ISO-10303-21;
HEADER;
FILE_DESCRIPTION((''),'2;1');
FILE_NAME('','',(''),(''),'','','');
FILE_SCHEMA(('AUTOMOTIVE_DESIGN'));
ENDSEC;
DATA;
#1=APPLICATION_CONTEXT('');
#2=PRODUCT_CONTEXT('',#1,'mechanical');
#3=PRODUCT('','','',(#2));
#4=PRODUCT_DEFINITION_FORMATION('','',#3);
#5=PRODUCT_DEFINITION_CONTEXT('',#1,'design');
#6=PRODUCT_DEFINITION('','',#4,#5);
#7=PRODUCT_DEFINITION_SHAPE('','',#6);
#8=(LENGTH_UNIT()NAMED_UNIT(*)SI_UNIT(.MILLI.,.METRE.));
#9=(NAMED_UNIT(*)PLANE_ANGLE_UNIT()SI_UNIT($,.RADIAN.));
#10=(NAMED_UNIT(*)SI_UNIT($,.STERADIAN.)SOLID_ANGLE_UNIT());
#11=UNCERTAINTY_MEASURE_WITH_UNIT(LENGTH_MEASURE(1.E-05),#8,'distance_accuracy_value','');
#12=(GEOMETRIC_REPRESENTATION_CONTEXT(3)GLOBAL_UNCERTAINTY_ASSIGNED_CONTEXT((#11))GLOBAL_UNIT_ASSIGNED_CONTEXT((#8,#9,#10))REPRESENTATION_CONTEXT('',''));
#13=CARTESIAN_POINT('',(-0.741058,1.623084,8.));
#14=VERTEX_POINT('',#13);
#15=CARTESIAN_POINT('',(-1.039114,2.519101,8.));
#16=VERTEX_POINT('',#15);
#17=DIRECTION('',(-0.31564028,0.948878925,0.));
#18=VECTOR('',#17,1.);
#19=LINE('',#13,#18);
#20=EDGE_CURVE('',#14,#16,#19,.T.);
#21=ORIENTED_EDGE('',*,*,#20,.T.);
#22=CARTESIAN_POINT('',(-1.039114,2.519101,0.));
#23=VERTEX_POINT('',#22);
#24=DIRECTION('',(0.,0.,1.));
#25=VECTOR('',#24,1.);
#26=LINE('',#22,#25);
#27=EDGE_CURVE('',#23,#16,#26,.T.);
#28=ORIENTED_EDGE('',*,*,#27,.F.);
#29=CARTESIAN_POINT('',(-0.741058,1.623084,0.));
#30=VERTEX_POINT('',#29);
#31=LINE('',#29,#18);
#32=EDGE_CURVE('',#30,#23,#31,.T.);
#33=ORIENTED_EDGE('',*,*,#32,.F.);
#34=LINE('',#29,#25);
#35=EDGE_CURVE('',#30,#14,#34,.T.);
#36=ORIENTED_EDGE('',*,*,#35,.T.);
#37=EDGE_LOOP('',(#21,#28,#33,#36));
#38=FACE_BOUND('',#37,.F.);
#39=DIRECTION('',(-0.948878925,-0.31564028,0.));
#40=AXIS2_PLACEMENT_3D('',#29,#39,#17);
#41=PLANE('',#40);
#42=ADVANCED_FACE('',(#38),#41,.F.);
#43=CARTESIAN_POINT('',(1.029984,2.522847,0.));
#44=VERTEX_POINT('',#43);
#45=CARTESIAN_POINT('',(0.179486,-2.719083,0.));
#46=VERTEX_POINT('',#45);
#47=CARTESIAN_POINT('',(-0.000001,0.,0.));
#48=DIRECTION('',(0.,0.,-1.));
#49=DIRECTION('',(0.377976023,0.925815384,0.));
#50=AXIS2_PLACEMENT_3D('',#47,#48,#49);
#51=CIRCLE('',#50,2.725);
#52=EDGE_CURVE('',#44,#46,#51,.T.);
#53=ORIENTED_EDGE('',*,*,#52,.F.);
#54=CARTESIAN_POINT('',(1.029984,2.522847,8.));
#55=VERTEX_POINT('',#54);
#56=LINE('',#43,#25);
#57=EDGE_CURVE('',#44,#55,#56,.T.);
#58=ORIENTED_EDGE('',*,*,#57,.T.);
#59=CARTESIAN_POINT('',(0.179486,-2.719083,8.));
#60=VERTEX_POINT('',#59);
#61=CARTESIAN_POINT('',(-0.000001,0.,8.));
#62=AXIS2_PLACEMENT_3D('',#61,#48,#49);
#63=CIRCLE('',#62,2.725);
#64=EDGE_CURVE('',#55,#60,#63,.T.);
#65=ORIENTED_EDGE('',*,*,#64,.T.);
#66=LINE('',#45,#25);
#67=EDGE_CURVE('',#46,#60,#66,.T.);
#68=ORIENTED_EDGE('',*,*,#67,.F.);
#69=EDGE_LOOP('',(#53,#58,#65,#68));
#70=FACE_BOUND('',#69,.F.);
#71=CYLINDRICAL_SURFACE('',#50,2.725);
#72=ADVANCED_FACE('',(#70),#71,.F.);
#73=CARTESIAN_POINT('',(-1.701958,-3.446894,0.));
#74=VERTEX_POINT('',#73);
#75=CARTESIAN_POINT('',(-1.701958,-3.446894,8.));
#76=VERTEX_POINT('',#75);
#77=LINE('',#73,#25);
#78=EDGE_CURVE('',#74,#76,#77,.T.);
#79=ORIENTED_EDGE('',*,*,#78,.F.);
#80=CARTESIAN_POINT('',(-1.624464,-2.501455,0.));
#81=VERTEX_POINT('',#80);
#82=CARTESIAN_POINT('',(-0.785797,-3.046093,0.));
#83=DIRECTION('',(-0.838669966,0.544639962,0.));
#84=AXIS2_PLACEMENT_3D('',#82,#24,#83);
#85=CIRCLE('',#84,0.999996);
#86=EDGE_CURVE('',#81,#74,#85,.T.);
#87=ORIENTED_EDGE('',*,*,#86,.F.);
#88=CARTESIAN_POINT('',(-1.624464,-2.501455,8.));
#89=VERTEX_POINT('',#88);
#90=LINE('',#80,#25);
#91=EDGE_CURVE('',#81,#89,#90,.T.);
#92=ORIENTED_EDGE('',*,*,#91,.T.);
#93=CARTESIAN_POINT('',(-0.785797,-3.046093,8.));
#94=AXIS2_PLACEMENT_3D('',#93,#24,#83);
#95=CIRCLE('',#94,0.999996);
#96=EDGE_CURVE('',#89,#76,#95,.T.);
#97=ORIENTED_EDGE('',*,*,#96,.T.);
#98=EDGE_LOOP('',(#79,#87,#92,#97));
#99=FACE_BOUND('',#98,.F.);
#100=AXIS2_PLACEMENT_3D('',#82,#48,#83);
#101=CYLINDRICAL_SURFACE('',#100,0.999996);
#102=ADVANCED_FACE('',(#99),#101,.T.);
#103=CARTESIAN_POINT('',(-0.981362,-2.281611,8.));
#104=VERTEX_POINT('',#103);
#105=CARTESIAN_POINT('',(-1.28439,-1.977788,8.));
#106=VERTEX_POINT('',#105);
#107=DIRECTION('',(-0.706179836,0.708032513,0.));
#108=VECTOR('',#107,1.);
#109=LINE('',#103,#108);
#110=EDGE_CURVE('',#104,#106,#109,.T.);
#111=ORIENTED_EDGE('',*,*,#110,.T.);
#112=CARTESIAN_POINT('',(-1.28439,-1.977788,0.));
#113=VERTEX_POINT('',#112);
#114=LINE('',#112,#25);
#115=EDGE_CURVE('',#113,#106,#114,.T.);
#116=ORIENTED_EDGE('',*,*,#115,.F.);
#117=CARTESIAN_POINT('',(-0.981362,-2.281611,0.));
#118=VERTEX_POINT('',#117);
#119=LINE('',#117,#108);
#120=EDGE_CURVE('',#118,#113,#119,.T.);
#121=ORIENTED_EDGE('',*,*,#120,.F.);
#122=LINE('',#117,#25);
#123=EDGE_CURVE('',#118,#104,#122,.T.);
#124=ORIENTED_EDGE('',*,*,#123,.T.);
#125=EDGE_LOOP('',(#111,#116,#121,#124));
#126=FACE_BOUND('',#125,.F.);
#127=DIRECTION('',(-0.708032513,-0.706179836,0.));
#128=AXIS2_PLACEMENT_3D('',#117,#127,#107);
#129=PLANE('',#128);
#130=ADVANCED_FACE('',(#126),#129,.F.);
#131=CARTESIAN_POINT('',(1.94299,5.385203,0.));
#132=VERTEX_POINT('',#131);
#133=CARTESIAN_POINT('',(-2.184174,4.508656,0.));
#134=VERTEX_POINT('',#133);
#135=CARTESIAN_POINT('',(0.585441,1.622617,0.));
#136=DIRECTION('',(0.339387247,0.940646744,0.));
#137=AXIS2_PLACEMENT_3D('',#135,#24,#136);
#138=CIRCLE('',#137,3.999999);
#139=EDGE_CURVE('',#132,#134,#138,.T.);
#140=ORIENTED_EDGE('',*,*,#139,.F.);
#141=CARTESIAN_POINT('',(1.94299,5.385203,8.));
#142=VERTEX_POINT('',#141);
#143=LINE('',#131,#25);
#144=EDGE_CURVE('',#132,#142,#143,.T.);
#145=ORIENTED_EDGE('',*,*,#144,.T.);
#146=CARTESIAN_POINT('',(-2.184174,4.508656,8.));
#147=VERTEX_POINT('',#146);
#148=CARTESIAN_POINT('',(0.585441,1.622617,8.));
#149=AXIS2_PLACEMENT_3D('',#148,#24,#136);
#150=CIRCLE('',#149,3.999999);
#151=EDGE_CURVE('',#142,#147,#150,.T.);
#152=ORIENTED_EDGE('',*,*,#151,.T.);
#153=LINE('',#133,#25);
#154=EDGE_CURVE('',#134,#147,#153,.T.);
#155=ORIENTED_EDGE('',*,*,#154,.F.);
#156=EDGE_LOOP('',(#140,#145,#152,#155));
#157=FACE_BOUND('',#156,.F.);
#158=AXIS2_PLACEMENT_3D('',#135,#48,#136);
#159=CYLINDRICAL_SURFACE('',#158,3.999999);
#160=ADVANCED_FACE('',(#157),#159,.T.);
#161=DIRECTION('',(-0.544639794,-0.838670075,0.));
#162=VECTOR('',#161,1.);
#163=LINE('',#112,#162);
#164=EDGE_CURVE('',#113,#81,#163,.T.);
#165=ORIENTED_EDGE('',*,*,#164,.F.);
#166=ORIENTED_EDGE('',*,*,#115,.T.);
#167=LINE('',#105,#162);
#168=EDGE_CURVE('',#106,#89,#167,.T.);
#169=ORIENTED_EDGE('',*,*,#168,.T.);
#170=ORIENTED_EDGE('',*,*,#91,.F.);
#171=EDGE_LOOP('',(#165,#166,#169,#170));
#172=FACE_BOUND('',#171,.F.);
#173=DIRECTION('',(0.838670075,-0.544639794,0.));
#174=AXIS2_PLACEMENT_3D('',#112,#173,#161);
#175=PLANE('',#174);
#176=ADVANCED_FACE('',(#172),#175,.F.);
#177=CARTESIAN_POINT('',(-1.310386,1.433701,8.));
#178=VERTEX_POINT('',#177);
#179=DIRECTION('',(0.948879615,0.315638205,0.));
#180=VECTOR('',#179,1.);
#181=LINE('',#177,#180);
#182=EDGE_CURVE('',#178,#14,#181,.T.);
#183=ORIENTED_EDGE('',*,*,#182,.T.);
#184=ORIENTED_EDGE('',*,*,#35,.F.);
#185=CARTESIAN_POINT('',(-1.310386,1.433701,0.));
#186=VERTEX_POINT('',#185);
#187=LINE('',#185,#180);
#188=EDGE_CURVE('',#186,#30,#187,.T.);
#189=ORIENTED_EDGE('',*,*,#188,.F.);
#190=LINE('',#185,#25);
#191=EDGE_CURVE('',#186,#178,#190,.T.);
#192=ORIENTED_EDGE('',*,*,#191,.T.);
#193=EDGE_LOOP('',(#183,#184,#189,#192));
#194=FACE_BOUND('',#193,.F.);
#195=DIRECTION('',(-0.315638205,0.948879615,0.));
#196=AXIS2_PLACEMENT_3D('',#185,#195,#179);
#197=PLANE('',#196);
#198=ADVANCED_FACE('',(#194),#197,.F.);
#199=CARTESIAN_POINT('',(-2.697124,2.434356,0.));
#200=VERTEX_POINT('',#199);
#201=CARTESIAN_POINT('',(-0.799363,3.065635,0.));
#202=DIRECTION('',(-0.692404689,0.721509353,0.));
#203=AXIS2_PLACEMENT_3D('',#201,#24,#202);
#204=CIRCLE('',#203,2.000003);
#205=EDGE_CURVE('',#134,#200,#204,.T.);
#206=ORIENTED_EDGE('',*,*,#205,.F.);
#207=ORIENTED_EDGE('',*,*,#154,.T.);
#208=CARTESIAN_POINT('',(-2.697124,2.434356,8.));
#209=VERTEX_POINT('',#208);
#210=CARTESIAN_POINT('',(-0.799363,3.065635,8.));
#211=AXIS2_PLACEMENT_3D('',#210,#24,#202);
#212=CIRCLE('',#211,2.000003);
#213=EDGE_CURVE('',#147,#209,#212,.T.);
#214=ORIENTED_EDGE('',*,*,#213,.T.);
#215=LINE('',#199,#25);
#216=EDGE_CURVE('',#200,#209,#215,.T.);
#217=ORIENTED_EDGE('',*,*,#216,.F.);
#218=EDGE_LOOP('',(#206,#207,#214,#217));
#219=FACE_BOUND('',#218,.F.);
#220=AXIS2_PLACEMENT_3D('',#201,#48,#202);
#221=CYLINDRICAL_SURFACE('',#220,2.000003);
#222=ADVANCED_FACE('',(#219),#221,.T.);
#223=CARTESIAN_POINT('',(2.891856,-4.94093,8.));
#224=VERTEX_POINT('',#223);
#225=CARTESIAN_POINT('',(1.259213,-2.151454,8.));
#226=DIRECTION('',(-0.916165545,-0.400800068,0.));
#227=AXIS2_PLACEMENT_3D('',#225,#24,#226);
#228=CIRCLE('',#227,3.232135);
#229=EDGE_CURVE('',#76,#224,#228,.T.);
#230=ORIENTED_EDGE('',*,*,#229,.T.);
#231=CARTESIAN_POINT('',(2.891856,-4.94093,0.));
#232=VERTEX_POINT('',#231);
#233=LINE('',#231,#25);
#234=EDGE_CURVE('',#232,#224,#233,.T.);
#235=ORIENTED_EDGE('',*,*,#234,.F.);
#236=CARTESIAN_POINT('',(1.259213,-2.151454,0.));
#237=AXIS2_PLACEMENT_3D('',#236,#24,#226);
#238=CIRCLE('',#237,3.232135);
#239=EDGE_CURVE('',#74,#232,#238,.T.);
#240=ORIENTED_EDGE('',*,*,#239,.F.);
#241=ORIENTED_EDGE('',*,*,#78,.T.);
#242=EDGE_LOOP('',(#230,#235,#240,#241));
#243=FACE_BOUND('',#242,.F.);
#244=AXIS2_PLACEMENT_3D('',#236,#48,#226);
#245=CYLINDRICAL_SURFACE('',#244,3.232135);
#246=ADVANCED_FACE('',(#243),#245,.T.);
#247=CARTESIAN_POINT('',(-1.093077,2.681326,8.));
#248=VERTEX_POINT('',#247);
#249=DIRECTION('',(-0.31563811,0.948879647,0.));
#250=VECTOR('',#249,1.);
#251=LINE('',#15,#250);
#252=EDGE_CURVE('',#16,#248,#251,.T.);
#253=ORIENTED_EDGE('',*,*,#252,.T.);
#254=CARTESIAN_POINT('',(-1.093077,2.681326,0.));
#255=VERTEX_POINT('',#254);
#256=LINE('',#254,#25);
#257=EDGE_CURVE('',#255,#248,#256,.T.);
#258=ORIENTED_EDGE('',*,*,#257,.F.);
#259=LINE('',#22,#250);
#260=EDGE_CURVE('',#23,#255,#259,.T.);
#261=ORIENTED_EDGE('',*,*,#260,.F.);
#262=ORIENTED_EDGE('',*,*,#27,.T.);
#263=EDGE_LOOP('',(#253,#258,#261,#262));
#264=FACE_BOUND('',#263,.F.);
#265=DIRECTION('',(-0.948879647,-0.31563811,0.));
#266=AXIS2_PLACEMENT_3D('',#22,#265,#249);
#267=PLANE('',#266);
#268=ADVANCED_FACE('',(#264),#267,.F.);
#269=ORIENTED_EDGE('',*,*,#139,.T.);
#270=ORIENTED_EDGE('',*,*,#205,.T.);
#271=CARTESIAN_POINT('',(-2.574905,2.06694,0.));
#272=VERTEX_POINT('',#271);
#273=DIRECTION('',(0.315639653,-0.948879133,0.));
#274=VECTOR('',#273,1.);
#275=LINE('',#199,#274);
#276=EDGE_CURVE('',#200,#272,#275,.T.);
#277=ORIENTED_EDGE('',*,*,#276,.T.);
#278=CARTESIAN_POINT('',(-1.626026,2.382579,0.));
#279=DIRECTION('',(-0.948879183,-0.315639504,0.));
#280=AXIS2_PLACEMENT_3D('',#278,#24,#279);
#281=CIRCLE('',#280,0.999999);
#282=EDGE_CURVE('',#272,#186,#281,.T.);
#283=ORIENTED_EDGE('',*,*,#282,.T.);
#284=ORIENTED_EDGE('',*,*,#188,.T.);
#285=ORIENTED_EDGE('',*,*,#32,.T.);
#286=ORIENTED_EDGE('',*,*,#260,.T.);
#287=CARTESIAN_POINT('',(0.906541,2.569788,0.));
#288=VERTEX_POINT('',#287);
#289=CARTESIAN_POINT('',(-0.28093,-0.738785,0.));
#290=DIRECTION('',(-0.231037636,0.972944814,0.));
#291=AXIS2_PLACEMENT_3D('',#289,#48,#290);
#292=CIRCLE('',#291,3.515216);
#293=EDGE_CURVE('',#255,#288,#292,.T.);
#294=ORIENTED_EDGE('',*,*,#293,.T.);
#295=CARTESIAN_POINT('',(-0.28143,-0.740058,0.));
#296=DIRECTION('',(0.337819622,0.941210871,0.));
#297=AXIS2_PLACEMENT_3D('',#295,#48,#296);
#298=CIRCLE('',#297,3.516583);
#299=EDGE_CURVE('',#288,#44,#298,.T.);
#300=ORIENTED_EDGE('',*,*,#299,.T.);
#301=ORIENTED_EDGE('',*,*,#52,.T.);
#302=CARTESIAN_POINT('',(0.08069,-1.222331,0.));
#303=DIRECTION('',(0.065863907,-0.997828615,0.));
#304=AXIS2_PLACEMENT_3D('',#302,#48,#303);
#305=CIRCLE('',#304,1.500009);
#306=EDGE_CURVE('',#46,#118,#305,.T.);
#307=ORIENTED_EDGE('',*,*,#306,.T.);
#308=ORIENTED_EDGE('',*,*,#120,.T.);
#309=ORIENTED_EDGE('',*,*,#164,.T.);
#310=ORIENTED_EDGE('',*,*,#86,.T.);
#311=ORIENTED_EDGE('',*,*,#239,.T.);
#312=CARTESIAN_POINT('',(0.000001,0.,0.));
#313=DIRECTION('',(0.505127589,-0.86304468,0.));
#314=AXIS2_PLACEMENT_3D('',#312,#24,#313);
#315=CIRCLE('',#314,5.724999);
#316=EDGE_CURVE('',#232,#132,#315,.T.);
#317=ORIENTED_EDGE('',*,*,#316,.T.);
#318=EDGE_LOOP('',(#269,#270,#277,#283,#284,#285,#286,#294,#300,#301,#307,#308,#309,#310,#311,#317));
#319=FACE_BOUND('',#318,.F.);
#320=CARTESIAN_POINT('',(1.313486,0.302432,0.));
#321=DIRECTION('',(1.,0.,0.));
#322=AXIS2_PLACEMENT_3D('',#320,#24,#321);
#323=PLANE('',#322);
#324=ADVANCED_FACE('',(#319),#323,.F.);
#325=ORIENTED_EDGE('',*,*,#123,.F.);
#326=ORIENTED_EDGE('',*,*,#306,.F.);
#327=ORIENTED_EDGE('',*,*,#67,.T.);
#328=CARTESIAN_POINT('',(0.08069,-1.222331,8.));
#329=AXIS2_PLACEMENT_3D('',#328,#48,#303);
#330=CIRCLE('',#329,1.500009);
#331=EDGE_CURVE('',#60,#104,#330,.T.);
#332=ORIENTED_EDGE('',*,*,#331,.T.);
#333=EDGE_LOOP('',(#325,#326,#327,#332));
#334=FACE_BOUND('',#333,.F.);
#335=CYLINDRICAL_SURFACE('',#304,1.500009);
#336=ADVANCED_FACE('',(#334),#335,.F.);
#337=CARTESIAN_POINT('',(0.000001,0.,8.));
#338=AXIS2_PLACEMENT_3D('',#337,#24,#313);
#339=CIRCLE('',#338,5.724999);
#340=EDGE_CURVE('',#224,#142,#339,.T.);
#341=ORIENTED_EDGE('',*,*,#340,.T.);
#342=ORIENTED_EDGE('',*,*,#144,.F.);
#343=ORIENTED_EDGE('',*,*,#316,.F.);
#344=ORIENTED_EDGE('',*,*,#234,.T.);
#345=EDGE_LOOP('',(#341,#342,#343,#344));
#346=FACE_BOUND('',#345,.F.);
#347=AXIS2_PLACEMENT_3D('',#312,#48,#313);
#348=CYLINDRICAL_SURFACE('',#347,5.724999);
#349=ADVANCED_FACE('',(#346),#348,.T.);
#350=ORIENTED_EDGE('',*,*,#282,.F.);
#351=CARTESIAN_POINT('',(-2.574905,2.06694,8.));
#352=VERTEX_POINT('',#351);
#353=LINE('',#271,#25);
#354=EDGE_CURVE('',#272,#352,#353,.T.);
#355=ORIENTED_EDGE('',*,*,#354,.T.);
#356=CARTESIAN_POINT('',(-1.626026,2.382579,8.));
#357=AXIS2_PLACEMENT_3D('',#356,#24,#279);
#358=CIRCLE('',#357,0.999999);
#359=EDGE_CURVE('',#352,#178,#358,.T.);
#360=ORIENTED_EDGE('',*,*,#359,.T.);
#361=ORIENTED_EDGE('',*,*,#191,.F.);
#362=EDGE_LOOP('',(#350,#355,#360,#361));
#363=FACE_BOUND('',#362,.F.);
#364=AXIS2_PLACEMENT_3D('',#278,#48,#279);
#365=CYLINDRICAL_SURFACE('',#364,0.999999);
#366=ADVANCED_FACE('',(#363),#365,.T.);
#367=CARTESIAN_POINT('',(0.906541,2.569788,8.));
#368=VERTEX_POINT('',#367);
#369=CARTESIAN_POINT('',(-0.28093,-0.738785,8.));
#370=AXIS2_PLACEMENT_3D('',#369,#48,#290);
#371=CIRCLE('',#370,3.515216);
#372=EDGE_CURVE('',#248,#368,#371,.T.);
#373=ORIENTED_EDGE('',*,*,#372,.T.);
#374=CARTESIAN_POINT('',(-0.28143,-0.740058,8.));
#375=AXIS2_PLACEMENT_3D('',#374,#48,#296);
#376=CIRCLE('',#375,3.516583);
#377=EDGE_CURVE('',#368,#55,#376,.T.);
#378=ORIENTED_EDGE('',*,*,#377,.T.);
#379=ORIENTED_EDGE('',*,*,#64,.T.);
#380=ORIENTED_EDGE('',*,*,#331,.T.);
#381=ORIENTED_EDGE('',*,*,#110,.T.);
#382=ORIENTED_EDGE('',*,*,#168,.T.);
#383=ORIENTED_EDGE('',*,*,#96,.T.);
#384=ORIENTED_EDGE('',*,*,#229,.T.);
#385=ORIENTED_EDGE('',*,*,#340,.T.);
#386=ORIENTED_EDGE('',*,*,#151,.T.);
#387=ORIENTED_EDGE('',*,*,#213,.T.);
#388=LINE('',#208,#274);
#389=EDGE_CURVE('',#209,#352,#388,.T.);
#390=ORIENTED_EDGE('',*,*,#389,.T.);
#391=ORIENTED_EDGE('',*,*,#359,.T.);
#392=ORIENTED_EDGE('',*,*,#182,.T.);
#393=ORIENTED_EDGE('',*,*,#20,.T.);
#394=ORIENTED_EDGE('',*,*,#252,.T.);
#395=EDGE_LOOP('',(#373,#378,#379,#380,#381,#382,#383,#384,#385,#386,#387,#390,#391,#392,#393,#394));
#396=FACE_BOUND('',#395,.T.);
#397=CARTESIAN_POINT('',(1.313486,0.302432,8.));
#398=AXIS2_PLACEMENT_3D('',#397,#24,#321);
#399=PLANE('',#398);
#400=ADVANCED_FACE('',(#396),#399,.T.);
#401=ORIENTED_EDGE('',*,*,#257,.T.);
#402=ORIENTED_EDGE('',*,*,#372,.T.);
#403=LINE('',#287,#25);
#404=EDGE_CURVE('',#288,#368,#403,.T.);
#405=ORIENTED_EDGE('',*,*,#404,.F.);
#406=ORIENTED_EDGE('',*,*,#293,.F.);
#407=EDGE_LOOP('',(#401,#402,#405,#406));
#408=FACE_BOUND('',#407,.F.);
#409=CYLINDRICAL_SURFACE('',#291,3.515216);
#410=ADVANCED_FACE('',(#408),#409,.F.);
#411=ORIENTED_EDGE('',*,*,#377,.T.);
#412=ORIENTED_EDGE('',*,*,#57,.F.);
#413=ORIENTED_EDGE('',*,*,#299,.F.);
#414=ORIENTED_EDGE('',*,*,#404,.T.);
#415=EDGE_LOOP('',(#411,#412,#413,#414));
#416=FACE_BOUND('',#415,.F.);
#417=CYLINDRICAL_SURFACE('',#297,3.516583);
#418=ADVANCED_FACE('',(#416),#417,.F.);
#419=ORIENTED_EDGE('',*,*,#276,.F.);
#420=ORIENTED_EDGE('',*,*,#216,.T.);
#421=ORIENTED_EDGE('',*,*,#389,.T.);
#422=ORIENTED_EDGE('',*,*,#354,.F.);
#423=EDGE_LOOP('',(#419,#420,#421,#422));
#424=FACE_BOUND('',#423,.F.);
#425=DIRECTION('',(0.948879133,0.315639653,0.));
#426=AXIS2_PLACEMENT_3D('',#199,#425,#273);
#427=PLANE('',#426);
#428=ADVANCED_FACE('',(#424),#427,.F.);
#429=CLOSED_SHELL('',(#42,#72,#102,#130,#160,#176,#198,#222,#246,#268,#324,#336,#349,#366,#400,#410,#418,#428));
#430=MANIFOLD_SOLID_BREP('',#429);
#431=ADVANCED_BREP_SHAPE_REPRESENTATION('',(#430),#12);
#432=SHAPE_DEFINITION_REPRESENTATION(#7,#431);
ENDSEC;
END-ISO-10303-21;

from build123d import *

# Parameters (mm, degrees)
F1_DEPTH = 8


with BuildPart() as f1:
    # F0 (on Top) → F1 (new body)
    with BuildSketch(Plane.XY):
        with BuildLine():
            ThreePointArc((1.029984, 2.522847), (2.689825, -0.436422), (0.179486, -2.719083))
            ThreePointArc((0.179486, -2.719083), (-0.448282, -2.625975), (-0.981362, -2.281611))
            Line((-0.981362, -2.281611), (-1.28439, -1.977788))
            Line((-1.28439, -1.977788), (-1.624464, -2.501455))
            ThreePointArc((-1.624464, -2.501455), (-1.782451, -2.964401), (-1.701958, -3.446894))
            ThreePointArc((-1.701958, -3.446894), (0.259572, -5.225119), (2.891856, -4.94093))
            ThreePointArc((2.891856, -4.94093), (5.700982, 0.523862), (1.94299, 5.385203))
            ThreePointArc((1.94299, 5.385203), (-0.245562, 5.535343), (-2.184174, 4.508656))
            ThreePointArc((-2.184174, 4.508656), (-2.740883, 3.54575), (-2.697124, 2.434356))
            Line((-2.697124, 2.434356), (-2.574905, 2.06694))
            ThreePointArc((-2.574905, 2.06694), (-2.073794, 1.48843), (-1.310386, 1.433701))
            Line((-1.310386, 1.433701), (-0.741058, 1.623084))
            Line((-0.741058, 1.623084), (-1.039114, 2.519101))
            Line((-1.039114, 2.519101), (-1.093077, 2.681326))
            ThreePointArc((-1.093077, 2.681326), (-0.085157, 2.770975), (0.906541, 2.569788))
            ThreePointArc((0.906541, 2.569788), (0.968547, 2.547065), (1.029984, 2.522847))
        make_face()
        with BuildLine():
            ThreePointArc((0.906541, 2.569788), (0.968483, 2.546897), (1.029984, 2.522847))
            ThreePointArc((1.029984, 2.522847), (0.968547, 2.547065), (0.906541, 2.569788))
        make_face()
    extrude(amount=F1_DEPTH)


solid = f1.part
